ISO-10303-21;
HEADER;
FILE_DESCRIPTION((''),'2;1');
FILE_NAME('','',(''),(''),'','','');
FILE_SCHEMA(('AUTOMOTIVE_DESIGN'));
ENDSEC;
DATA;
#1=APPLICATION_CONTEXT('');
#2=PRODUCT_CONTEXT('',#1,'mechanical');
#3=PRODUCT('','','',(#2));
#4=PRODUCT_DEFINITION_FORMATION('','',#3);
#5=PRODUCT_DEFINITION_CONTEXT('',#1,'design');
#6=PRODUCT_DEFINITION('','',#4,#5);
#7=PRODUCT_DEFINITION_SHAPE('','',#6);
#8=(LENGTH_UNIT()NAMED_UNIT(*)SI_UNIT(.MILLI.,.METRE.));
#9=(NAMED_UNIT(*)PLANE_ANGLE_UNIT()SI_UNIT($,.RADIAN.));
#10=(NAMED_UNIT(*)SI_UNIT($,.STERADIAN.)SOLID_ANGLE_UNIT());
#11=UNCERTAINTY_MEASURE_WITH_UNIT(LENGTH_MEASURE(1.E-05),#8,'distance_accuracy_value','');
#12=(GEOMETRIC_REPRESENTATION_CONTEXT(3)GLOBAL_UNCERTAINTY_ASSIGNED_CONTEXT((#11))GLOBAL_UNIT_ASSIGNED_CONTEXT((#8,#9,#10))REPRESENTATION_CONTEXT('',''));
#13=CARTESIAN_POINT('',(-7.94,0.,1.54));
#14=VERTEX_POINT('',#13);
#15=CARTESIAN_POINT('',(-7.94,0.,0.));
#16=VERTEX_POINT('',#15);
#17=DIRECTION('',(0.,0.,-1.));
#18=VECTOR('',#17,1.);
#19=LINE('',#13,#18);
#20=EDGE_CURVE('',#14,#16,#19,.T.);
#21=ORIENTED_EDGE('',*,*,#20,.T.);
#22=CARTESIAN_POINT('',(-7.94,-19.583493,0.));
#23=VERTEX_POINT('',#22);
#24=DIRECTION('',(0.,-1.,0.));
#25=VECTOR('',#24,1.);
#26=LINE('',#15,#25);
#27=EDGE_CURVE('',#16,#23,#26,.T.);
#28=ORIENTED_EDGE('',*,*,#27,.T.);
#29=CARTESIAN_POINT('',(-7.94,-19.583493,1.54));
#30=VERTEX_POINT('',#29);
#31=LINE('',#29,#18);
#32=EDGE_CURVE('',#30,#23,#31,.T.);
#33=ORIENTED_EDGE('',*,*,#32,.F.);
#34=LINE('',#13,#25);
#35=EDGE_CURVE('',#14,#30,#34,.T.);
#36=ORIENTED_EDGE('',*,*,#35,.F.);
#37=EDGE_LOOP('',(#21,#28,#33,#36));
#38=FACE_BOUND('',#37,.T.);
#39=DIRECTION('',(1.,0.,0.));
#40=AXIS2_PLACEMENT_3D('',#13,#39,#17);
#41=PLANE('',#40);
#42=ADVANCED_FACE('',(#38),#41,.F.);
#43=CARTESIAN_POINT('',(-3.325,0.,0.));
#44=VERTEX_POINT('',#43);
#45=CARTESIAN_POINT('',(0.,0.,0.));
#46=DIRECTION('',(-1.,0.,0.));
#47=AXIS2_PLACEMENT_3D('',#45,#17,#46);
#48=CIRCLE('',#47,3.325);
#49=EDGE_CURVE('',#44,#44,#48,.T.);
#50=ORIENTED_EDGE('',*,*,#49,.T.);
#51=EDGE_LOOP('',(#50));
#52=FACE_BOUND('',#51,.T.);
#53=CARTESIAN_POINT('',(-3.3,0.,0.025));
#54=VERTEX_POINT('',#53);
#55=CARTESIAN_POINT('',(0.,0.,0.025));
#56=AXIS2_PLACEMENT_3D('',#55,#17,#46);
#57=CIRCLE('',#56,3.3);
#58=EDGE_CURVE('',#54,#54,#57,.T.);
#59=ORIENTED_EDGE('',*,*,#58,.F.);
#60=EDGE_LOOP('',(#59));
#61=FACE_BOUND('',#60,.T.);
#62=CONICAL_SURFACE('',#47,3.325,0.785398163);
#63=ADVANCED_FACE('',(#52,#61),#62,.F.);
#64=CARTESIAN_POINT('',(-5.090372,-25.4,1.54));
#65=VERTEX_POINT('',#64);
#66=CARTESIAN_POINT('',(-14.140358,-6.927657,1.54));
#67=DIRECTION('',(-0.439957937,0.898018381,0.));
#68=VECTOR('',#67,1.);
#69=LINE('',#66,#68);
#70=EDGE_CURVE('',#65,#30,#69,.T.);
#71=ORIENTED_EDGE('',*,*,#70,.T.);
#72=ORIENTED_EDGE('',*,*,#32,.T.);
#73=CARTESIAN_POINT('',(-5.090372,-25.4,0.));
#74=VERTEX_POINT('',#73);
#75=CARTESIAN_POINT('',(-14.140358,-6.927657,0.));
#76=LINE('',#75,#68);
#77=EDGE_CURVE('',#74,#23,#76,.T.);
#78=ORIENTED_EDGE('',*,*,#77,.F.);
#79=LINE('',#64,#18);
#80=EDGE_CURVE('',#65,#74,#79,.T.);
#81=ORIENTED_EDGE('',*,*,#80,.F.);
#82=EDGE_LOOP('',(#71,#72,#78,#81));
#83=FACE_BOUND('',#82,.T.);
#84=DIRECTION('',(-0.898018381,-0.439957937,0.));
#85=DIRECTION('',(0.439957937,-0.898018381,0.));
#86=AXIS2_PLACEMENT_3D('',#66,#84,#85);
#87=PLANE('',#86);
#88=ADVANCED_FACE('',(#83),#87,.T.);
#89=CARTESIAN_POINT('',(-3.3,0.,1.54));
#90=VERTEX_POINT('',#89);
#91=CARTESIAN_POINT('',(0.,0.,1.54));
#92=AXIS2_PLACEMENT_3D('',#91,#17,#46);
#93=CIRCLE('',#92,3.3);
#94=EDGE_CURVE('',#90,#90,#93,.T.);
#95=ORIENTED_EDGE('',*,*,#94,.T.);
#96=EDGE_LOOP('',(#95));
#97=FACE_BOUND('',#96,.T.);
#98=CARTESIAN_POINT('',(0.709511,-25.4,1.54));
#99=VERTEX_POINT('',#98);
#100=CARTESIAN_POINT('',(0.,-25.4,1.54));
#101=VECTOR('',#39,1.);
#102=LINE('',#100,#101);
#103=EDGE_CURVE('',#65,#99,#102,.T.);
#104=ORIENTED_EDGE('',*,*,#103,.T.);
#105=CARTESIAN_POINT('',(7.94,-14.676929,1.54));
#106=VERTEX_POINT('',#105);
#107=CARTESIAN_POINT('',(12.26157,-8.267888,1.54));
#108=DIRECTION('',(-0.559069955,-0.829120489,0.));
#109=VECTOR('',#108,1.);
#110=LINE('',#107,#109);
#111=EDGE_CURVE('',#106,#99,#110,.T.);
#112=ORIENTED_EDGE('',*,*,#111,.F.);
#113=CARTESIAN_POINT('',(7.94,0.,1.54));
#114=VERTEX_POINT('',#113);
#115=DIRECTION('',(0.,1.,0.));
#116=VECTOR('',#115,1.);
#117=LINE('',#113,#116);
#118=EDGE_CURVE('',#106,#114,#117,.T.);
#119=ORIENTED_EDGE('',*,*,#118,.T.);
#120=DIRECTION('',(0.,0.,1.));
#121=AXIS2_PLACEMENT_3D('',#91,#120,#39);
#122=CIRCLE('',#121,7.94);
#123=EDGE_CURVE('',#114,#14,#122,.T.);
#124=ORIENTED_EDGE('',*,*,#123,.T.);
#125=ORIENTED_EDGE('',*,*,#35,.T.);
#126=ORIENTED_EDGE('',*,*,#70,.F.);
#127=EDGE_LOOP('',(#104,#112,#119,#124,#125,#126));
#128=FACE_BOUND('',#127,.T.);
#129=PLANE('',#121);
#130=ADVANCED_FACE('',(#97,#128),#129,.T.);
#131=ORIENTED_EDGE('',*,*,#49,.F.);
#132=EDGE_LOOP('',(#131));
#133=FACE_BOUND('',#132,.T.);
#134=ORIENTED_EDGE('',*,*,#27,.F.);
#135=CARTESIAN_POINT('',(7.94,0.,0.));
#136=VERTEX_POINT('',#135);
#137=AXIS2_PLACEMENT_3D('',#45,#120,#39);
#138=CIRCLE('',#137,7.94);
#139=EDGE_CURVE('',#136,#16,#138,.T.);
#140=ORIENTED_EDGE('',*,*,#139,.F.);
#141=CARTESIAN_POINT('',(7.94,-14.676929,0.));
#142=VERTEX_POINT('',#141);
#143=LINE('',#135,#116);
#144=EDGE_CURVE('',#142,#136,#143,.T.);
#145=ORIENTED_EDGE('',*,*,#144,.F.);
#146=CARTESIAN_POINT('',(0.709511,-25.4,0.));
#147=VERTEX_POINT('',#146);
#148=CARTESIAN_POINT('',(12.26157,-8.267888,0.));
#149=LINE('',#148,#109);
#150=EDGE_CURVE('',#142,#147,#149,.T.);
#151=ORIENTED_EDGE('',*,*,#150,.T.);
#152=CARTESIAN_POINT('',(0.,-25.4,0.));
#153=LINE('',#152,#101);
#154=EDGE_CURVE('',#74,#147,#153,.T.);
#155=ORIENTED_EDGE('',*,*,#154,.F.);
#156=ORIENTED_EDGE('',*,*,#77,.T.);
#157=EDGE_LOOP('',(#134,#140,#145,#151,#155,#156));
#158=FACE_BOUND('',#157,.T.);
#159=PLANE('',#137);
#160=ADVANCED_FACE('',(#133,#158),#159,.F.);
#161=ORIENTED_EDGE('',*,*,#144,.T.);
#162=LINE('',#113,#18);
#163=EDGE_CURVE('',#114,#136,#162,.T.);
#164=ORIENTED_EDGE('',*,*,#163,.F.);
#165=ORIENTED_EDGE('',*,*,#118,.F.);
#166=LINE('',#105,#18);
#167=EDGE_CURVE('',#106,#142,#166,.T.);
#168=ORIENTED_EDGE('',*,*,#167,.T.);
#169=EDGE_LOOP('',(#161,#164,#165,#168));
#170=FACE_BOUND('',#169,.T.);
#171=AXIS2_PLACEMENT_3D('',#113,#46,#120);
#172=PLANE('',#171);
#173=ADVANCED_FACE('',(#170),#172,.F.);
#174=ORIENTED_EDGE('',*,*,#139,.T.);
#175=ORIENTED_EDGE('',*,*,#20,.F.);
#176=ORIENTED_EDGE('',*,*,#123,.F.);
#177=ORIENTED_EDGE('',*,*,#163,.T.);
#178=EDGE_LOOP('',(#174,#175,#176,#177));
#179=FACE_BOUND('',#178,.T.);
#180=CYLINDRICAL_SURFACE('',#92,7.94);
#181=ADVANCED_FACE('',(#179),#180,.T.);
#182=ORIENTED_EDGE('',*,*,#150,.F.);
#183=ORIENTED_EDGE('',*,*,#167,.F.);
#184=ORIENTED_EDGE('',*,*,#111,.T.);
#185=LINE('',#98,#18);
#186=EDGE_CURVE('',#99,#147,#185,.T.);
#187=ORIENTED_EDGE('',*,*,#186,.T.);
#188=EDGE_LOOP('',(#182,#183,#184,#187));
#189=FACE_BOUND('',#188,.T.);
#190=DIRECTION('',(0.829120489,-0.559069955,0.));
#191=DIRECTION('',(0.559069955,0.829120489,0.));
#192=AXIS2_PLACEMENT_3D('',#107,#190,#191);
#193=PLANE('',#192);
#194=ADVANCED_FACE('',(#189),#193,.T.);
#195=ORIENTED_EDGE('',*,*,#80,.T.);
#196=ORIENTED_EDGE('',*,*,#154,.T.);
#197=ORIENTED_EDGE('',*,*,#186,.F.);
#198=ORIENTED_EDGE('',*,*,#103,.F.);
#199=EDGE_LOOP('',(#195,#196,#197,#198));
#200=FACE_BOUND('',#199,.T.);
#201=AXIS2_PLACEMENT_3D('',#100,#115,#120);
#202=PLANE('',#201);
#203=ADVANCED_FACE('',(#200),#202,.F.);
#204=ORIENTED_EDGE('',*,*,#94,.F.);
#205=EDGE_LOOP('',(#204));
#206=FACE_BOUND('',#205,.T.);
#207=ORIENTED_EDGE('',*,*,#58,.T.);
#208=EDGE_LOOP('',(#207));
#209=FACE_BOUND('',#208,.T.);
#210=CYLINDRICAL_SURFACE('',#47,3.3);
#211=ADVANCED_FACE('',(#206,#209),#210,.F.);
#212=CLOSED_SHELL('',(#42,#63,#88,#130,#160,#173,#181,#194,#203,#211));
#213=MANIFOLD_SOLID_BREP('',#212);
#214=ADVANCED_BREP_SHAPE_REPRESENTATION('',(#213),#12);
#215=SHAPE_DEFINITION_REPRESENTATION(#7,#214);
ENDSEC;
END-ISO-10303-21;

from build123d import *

# Parameters (mm, degrees)
BOSS_EXTRUDE1_DEPTH = 1.54


with BuildPart() as part:
    # Sketch1 → Boss-Extrude1 (new body)
    with BuildSketch(Plane.XY):
        with BuildLine():
            Line((7.939999995, -14.676928872), (7.939999995, 0))
            ThreePointArc((7.939999995, 0), (0, 7.939999995), (-7.939999995, 0))
            Line((-7.939999995, 0), (-7.939999995, -19.583493141))
            Line((-7.939999995, -19.583493141), (-5.090371955, -25.4))
            Line((-5.090371955, -25.4), (0.709510618, -25.4))
            Line((0.709510618, -25.4), (7.939999995, -14.676928872))
        make_face()
    extrude(amount=BOSS_EXTRUDE1_DEPTH)

    # Sketch3 → M6 Clearance Hole1 (revolve, cut)
    with BuildSketch(Plane.YZ):
        Polygon((0, 0), (0, 1.54), (3.3, 1.54), (3.3, 0.025), (3.325, 0), align=None)
    revolve(axis=Axis((0, 0, -6.35), (0, 0, 1)), mode=Mode.SUBTRACT)


solid = part.part
